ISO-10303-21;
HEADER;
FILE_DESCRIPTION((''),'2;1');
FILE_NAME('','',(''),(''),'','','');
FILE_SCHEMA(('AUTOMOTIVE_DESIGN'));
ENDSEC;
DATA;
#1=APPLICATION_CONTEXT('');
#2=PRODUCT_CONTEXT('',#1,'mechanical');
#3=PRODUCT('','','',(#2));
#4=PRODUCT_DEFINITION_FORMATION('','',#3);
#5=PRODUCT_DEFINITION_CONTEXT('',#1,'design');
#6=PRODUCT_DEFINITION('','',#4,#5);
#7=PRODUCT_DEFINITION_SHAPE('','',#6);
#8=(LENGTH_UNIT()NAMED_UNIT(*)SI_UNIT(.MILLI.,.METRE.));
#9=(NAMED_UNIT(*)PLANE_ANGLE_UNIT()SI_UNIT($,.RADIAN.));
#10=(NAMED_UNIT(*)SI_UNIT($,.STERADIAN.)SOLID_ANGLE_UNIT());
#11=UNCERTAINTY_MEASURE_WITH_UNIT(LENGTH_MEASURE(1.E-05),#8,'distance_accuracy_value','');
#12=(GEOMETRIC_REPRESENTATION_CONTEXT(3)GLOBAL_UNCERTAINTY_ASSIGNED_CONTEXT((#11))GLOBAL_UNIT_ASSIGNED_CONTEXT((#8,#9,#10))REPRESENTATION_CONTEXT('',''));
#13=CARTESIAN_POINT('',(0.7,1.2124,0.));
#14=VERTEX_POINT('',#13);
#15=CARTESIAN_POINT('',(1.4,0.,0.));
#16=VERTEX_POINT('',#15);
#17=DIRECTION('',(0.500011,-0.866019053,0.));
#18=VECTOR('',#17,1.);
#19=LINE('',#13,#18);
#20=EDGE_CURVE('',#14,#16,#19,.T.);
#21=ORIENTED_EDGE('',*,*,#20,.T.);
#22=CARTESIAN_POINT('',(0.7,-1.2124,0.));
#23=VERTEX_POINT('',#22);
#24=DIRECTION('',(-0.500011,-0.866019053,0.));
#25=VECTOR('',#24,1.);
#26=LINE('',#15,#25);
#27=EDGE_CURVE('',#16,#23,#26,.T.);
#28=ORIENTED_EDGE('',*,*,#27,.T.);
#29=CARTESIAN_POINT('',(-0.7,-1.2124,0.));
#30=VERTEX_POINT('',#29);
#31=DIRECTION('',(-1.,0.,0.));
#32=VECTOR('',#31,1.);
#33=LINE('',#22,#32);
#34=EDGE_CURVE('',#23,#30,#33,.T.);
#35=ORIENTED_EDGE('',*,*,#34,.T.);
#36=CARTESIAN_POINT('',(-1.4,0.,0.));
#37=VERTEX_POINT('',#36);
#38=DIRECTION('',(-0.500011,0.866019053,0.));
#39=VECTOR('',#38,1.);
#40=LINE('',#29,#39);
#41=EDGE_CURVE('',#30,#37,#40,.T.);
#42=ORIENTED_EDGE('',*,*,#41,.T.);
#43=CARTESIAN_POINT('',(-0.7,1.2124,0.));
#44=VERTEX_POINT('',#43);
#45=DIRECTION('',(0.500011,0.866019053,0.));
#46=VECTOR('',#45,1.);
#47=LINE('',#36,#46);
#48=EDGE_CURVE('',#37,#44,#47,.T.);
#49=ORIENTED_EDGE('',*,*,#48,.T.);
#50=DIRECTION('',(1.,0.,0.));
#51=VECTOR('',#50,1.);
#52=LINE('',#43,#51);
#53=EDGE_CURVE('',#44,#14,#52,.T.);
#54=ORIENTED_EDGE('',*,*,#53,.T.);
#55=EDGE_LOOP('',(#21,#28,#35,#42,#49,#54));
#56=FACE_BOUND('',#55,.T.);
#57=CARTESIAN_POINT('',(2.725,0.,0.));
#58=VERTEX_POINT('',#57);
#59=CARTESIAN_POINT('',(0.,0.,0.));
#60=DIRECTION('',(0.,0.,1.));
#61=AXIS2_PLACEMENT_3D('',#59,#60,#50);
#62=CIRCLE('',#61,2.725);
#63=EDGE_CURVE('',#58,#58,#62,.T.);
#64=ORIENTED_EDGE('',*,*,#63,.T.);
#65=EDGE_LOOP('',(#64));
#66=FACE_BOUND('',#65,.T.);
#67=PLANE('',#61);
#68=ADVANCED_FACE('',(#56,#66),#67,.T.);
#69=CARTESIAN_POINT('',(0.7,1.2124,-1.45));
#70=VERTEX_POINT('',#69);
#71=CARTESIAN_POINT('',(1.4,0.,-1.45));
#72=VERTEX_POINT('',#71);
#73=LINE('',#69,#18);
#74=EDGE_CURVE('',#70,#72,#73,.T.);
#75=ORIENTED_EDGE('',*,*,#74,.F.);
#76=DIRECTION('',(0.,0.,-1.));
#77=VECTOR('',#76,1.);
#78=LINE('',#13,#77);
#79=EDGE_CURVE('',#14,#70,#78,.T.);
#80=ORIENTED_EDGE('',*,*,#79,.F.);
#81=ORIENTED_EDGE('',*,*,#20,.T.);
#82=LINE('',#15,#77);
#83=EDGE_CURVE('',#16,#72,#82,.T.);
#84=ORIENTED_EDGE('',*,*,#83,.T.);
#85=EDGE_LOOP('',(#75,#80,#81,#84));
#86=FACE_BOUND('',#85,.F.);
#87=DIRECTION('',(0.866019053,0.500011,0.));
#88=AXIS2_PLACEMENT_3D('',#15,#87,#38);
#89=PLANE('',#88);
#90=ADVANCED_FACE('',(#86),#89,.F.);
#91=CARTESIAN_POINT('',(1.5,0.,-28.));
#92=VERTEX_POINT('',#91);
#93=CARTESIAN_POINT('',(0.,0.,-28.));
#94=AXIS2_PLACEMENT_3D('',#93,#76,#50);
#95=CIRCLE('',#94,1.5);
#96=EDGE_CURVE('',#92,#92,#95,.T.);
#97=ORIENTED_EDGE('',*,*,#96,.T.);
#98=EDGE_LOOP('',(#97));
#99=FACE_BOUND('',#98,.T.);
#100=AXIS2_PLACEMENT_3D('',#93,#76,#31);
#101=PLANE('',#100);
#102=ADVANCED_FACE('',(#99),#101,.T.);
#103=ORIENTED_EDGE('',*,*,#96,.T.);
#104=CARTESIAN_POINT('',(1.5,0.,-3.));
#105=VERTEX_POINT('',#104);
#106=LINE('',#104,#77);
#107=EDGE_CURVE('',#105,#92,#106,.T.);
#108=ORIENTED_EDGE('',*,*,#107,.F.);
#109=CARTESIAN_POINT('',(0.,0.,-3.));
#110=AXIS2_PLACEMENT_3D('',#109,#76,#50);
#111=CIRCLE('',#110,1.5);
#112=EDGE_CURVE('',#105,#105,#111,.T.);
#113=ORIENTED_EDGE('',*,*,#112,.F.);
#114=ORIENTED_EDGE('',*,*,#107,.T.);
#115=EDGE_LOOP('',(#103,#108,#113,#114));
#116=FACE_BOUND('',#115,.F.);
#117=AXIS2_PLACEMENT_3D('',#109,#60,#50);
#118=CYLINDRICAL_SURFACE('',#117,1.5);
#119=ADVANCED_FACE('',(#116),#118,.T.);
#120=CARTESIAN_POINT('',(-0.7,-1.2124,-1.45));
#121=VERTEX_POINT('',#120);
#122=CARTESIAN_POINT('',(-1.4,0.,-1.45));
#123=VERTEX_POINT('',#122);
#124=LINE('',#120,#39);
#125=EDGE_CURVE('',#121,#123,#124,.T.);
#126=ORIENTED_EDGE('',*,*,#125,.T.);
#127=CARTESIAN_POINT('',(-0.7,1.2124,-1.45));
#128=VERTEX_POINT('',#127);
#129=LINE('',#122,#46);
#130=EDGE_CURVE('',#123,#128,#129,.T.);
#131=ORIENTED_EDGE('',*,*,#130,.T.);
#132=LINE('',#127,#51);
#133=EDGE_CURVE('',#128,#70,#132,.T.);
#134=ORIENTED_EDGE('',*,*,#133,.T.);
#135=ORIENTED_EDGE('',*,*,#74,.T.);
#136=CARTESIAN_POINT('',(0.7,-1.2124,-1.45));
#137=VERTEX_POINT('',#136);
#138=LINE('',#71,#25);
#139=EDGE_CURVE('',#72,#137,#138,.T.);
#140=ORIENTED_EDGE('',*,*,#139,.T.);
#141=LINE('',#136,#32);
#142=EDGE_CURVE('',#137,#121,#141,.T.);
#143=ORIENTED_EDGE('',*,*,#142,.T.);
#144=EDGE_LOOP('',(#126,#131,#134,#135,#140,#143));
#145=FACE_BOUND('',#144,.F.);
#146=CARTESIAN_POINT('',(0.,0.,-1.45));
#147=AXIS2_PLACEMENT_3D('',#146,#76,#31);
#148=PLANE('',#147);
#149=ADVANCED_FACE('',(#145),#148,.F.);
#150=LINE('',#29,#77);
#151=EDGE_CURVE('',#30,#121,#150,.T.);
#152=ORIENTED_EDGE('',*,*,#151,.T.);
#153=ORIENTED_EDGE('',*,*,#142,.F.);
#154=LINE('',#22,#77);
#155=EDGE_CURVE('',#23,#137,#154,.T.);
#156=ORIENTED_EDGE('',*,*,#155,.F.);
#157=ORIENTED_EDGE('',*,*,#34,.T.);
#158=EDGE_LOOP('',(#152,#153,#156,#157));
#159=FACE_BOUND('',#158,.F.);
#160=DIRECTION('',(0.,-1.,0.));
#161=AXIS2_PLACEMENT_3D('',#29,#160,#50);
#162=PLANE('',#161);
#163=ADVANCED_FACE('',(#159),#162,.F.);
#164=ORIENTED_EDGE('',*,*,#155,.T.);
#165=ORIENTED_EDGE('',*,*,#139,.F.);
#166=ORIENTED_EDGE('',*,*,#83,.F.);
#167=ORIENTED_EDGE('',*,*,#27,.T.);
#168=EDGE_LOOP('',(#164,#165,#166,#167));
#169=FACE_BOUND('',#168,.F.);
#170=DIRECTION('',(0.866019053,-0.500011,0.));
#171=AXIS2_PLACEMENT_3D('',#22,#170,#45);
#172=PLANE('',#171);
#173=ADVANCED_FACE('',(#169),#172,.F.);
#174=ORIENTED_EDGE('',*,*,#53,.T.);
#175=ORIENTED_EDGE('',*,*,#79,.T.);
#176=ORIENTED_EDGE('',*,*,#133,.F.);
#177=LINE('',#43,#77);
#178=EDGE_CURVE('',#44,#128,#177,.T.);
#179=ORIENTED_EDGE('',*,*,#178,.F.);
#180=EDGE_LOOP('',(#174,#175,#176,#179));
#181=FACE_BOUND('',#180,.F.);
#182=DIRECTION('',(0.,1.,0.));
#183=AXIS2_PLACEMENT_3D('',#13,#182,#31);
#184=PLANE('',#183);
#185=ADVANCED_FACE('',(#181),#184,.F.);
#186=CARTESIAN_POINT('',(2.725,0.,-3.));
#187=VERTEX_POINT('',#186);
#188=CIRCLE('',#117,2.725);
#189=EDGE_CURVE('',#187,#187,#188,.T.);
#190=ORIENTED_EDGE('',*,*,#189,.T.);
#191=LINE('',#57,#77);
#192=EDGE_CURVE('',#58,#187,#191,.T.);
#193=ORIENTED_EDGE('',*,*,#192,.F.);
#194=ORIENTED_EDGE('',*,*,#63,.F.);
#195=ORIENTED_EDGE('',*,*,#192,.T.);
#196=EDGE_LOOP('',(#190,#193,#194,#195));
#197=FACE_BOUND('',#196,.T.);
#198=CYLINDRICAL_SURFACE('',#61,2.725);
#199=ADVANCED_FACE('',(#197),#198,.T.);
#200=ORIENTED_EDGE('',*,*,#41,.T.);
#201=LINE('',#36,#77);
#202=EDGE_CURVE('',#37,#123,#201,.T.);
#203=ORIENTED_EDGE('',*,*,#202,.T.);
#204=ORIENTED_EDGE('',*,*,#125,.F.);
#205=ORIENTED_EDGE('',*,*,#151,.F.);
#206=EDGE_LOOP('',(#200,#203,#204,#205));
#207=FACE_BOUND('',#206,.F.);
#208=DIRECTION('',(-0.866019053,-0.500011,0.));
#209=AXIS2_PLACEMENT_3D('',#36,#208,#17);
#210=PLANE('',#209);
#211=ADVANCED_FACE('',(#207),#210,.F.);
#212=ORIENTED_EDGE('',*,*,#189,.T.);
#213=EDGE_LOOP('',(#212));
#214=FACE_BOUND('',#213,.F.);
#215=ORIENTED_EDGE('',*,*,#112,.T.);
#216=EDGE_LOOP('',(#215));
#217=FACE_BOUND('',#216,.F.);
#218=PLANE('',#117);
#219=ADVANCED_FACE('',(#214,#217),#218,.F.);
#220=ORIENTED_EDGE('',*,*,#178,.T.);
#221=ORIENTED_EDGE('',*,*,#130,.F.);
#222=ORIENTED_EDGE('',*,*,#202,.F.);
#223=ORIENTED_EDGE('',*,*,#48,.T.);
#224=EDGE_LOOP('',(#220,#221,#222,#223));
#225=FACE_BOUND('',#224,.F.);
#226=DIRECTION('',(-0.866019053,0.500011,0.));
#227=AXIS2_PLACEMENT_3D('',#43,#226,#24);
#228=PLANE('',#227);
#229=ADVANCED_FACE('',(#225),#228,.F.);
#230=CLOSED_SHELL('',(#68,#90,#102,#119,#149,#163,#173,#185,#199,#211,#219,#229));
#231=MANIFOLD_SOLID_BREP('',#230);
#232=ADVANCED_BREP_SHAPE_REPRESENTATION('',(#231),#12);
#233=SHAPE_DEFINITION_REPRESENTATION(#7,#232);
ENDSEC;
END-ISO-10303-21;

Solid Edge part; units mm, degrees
sketch "Sketch1" plane through (0, 0, 0) normal (0, 0, 1) x (1, 0, 0)
  circle A0 centre (0, 0) radius 2.725
extrude "Protrusion1" add sketch "Sketch1" against normal blind 3
sketch "Sketch2" plane through (0, 0, 0) normal (0, 0, 1) x (1, 0, 0)
  line L0 (-0.7, -1.2124) -> (-1.05, -0.6062)
  line L1 (-1.4, 0) -> (-1.05, -0.6062)
  line L2 (-1.4, 0) -> (-1.05, 0.6062)
  line L3 (-0.7, 1.2124) -> (-1.05, 0.6062)
  line L4 (-0.7, 1.2124) -> (0, 1.2124)
  line L5 (0.7, 1.2124) -> (0, 1.2124)
  line L6 (0.7, 1.2124) -> (1.05, 0.6062)
  line L7 (1.4, 0) -> (1.05, 0.6062)
  line L8 (1.4, 0) -> (1.05, -0.6062)
  line L9 (0.7, -1.2124) -> (1.05, -0.6062)
  line L10 (0.7, -1.2124) -> (0, -1.2124)
  line L11 (-0.7, -1.2124) -> (0, -1.2124)
extrude "ExtrudedCutout_1" cut sketch "Sketch2" against normal blind 1.45
sketch "Sketch3" plane through (0, 0, -3) normal (0, 0, -1) x (1, 0, 0)
  circle A0 centre (0, 0) radius 1.5
extrude "ExtrudedProtrusion_2" add sketch "Sketch3" along normal blind 25
cosmetic_thread "Thread_2" size "M3" thread depth 17
